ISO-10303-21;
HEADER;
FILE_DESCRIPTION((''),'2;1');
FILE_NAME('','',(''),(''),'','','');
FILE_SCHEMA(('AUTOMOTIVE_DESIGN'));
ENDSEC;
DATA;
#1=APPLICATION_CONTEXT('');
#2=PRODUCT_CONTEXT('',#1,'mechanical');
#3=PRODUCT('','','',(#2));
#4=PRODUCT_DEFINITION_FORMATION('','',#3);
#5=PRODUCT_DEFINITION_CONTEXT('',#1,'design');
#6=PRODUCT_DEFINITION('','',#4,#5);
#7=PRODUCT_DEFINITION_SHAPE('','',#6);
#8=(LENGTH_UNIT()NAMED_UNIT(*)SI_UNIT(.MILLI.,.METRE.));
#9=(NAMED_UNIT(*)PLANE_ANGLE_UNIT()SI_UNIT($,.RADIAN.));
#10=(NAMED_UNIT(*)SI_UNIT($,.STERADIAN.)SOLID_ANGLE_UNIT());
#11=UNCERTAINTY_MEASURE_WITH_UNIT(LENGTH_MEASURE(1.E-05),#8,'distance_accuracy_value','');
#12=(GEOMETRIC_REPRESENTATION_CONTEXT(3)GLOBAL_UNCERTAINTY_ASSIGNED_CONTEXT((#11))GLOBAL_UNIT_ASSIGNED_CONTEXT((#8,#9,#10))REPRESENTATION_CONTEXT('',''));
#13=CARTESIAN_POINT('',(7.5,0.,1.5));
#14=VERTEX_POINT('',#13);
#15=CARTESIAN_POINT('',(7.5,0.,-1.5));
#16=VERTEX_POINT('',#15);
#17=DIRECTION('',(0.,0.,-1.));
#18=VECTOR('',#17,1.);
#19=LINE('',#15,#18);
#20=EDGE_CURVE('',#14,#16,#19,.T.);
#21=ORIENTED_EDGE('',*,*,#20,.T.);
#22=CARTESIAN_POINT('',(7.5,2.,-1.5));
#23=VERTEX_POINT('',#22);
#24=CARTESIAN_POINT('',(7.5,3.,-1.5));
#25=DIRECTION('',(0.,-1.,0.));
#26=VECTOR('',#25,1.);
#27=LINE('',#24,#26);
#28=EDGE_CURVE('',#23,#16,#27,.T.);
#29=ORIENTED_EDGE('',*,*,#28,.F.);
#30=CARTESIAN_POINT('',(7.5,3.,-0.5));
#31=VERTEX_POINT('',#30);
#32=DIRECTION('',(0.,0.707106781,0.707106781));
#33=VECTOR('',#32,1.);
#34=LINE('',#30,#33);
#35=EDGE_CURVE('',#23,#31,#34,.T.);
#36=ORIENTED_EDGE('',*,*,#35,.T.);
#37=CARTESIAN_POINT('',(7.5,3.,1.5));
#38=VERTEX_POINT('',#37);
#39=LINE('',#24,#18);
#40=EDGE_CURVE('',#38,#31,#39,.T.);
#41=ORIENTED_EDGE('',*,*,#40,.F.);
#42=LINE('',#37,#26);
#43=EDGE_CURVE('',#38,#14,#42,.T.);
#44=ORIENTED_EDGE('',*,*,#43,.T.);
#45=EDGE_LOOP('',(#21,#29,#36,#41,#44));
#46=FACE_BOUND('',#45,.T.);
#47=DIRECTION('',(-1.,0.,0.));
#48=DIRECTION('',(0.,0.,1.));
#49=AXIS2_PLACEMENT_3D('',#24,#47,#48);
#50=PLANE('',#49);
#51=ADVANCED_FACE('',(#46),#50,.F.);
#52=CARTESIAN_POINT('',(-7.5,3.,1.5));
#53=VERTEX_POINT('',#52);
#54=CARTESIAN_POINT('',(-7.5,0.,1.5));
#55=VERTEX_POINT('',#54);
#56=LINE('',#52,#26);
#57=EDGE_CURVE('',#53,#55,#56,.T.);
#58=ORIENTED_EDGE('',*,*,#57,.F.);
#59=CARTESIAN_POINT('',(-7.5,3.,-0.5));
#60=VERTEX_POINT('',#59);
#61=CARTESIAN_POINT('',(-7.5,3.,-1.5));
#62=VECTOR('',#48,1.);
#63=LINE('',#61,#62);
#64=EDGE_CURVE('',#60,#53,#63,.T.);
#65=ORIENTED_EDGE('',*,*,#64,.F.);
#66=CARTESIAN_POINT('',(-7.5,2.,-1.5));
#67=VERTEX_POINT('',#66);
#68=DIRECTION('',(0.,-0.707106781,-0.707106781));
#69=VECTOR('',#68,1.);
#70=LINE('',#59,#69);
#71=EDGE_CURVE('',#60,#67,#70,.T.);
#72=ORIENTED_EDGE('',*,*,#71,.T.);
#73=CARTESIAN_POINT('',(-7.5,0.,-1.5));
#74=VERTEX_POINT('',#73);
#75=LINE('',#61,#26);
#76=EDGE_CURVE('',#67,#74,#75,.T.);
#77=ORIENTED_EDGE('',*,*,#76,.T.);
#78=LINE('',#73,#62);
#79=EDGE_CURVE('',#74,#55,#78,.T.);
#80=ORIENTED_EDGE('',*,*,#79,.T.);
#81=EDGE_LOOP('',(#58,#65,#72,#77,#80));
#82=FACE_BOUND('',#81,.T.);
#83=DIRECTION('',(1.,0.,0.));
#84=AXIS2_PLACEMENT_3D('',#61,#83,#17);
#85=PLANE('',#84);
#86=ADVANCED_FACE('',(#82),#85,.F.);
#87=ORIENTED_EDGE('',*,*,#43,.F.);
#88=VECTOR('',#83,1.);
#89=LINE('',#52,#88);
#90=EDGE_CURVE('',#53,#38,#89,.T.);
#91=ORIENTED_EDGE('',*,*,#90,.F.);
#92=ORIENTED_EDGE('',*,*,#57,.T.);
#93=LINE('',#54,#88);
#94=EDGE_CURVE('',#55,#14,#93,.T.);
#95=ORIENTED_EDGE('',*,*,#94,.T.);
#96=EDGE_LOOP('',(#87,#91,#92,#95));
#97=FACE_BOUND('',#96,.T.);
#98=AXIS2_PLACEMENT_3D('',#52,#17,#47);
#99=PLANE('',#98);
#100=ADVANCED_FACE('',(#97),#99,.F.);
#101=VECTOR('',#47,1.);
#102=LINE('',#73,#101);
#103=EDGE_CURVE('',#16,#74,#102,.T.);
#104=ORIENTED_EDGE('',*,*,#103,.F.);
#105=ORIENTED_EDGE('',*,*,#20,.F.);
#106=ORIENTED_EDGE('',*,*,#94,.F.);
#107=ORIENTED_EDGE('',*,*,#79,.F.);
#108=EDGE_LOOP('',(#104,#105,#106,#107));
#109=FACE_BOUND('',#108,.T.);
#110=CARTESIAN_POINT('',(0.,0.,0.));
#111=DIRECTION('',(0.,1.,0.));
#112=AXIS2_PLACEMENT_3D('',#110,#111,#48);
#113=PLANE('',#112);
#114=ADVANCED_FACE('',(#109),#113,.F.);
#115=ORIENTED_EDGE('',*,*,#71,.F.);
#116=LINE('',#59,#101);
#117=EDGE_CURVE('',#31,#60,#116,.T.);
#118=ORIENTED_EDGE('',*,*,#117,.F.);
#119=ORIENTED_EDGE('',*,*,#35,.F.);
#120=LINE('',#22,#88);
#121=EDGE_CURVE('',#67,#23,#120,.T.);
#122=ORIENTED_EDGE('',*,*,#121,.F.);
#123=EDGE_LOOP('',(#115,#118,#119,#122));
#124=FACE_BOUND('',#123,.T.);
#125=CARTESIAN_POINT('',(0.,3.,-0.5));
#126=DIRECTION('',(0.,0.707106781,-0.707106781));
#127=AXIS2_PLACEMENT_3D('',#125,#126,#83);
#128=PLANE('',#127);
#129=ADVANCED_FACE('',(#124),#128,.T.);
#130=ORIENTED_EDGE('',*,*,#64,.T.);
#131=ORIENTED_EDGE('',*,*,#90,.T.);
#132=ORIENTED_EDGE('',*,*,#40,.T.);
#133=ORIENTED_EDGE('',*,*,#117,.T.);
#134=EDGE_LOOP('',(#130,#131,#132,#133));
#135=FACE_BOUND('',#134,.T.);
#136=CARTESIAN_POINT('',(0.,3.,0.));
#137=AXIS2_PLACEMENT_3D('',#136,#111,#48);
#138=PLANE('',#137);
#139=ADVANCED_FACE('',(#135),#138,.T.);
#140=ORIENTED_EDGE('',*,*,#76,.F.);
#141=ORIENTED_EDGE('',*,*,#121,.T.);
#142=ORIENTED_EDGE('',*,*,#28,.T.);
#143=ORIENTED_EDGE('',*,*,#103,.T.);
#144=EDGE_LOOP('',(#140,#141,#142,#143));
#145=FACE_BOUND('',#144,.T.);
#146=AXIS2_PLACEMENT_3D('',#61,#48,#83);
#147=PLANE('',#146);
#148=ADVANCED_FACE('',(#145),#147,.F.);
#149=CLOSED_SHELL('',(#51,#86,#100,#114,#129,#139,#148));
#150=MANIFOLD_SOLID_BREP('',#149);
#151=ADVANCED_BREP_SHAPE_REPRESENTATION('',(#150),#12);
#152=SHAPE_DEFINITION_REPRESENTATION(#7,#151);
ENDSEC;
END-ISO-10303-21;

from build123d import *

# Parameters (mm, degrees)
SKETCH_1_W      = 15
SKETCH_1_H      = 3
EXTRUDE_1_DEPTH = 3
CHAMFER_1_SIZE  = 1


with BuildPart() as part:
    # Эскиз1 → Бобышка-Вытянуть1 (new body)
    with BuildSketch(Plane(origin=(0, 0, 0), x_dir=(1, 0, 0), z_dir=(0, 1, 0))):
        Rectangle(SKETCH_1_W, SKETCH_1_H)
    extrude(amount=EXTRUDE_1_DEPTH)

    # Фаска1
    chamfer_1_edges = [part.edges().sort_by_distance(p)[0] for p in [
        (0, 3, -1.5),
    ]]
    chamfer(chamfer_1_edges, length=CHAMFER_1_SIZE)


solid = part.part
